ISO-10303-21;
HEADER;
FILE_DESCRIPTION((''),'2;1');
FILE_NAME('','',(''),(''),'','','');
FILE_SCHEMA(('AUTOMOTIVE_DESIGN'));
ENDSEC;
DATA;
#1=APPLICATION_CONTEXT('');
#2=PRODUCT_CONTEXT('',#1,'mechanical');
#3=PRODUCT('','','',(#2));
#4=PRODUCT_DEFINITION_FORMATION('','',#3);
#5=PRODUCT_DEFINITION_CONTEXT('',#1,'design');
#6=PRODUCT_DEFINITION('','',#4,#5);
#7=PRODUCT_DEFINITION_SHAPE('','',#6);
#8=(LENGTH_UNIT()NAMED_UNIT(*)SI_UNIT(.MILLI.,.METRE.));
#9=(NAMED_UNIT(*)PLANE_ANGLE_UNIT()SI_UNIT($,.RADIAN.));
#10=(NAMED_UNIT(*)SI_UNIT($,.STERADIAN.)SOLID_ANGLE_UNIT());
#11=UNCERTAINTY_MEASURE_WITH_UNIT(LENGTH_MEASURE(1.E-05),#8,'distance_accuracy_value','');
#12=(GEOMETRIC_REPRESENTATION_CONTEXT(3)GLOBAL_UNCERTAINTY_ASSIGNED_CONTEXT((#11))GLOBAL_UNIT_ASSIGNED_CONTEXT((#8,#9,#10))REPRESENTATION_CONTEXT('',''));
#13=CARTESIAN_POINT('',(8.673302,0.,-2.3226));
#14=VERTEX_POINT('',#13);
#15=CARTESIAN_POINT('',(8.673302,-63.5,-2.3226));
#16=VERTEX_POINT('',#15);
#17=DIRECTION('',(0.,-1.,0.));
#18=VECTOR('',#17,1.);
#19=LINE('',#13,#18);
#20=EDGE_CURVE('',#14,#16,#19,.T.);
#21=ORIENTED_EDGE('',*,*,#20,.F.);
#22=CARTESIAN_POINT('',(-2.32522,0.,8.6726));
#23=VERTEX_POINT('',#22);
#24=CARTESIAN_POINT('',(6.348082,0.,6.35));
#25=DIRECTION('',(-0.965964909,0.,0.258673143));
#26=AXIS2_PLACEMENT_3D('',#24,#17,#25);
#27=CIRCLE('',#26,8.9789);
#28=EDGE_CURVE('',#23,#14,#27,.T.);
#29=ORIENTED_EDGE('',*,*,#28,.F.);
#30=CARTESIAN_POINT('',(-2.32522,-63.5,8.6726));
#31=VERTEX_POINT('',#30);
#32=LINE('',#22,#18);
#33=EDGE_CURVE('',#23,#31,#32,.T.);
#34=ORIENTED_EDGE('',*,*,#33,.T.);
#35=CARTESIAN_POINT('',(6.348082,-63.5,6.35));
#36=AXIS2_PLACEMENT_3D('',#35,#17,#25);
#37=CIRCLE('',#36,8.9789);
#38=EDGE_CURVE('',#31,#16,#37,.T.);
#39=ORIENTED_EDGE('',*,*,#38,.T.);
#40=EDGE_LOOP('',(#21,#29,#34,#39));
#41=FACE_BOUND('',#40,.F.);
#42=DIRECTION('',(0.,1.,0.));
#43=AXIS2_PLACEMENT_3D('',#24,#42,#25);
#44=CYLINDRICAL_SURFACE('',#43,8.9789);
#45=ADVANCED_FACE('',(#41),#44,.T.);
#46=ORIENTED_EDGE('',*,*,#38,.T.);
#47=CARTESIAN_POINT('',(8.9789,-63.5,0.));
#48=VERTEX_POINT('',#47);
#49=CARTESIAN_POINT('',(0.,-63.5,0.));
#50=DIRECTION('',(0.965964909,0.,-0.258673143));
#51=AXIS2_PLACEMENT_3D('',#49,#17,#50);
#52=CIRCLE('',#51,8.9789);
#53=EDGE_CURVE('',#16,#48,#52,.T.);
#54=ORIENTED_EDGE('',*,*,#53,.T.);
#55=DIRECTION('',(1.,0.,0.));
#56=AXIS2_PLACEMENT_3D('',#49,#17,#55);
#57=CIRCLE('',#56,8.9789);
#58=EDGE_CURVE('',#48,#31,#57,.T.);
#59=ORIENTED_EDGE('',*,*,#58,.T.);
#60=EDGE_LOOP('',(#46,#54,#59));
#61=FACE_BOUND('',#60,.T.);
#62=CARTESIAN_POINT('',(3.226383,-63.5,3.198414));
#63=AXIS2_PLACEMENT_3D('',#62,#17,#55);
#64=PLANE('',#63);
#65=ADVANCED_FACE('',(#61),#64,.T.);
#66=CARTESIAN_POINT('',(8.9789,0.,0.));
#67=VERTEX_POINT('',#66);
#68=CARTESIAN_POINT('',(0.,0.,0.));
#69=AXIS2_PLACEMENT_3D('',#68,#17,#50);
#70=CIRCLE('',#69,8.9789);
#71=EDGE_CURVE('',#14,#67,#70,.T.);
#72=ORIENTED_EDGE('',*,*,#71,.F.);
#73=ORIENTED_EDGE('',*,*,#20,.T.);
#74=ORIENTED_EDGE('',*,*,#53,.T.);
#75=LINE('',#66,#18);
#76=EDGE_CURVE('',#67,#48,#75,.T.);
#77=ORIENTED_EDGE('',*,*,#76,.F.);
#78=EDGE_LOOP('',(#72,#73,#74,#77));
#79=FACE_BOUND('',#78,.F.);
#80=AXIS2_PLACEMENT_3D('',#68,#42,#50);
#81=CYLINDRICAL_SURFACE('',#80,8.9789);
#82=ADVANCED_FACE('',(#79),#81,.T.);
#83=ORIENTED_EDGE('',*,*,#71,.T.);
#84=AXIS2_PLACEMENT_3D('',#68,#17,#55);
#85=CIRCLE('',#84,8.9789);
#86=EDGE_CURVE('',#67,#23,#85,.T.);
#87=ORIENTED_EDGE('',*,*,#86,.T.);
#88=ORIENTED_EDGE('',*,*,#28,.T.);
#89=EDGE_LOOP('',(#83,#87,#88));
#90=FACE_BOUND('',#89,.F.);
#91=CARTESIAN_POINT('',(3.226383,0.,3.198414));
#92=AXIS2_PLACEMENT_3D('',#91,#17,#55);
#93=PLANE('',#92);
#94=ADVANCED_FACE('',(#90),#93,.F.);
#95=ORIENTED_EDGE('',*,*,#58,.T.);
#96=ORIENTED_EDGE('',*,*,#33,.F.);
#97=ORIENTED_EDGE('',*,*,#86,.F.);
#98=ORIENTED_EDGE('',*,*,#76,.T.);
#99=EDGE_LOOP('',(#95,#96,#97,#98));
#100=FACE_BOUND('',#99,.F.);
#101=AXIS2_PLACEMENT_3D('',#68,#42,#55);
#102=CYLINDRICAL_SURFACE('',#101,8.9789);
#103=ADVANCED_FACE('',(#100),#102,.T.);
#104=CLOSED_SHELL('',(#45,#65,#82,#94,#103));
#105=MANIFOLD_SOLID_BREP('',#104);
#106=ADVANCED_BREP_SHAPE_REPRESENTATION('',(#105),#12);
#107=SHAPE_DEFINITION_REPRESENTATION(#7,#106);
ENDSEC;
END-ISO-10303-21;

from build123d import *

# Parameters (mm, degrees)
F1_DEPTH = 63.5


with BuildPart() as f1:
    # F0 (on Front) → F1 (new body)
    with BuildSketch(Plane.XZ):
        with BuildLine():
            ThreePointArc((8.6733023192, -2.3226002863), (8.9021727517, -1.1713093136), (8.9789, 0))
            ThreePointArc((8.9789, 0), (5.4654699971, 7.1238530951), (-2.3252203089, 8.6726002863))
            ThreePointArc((-2.3252203089, 8.6726002863), (0, 0), (8.6733023192, -2.3226002863))
        make_face()
    extrude(amount=F1_DEPTH)


solid = f1.part
